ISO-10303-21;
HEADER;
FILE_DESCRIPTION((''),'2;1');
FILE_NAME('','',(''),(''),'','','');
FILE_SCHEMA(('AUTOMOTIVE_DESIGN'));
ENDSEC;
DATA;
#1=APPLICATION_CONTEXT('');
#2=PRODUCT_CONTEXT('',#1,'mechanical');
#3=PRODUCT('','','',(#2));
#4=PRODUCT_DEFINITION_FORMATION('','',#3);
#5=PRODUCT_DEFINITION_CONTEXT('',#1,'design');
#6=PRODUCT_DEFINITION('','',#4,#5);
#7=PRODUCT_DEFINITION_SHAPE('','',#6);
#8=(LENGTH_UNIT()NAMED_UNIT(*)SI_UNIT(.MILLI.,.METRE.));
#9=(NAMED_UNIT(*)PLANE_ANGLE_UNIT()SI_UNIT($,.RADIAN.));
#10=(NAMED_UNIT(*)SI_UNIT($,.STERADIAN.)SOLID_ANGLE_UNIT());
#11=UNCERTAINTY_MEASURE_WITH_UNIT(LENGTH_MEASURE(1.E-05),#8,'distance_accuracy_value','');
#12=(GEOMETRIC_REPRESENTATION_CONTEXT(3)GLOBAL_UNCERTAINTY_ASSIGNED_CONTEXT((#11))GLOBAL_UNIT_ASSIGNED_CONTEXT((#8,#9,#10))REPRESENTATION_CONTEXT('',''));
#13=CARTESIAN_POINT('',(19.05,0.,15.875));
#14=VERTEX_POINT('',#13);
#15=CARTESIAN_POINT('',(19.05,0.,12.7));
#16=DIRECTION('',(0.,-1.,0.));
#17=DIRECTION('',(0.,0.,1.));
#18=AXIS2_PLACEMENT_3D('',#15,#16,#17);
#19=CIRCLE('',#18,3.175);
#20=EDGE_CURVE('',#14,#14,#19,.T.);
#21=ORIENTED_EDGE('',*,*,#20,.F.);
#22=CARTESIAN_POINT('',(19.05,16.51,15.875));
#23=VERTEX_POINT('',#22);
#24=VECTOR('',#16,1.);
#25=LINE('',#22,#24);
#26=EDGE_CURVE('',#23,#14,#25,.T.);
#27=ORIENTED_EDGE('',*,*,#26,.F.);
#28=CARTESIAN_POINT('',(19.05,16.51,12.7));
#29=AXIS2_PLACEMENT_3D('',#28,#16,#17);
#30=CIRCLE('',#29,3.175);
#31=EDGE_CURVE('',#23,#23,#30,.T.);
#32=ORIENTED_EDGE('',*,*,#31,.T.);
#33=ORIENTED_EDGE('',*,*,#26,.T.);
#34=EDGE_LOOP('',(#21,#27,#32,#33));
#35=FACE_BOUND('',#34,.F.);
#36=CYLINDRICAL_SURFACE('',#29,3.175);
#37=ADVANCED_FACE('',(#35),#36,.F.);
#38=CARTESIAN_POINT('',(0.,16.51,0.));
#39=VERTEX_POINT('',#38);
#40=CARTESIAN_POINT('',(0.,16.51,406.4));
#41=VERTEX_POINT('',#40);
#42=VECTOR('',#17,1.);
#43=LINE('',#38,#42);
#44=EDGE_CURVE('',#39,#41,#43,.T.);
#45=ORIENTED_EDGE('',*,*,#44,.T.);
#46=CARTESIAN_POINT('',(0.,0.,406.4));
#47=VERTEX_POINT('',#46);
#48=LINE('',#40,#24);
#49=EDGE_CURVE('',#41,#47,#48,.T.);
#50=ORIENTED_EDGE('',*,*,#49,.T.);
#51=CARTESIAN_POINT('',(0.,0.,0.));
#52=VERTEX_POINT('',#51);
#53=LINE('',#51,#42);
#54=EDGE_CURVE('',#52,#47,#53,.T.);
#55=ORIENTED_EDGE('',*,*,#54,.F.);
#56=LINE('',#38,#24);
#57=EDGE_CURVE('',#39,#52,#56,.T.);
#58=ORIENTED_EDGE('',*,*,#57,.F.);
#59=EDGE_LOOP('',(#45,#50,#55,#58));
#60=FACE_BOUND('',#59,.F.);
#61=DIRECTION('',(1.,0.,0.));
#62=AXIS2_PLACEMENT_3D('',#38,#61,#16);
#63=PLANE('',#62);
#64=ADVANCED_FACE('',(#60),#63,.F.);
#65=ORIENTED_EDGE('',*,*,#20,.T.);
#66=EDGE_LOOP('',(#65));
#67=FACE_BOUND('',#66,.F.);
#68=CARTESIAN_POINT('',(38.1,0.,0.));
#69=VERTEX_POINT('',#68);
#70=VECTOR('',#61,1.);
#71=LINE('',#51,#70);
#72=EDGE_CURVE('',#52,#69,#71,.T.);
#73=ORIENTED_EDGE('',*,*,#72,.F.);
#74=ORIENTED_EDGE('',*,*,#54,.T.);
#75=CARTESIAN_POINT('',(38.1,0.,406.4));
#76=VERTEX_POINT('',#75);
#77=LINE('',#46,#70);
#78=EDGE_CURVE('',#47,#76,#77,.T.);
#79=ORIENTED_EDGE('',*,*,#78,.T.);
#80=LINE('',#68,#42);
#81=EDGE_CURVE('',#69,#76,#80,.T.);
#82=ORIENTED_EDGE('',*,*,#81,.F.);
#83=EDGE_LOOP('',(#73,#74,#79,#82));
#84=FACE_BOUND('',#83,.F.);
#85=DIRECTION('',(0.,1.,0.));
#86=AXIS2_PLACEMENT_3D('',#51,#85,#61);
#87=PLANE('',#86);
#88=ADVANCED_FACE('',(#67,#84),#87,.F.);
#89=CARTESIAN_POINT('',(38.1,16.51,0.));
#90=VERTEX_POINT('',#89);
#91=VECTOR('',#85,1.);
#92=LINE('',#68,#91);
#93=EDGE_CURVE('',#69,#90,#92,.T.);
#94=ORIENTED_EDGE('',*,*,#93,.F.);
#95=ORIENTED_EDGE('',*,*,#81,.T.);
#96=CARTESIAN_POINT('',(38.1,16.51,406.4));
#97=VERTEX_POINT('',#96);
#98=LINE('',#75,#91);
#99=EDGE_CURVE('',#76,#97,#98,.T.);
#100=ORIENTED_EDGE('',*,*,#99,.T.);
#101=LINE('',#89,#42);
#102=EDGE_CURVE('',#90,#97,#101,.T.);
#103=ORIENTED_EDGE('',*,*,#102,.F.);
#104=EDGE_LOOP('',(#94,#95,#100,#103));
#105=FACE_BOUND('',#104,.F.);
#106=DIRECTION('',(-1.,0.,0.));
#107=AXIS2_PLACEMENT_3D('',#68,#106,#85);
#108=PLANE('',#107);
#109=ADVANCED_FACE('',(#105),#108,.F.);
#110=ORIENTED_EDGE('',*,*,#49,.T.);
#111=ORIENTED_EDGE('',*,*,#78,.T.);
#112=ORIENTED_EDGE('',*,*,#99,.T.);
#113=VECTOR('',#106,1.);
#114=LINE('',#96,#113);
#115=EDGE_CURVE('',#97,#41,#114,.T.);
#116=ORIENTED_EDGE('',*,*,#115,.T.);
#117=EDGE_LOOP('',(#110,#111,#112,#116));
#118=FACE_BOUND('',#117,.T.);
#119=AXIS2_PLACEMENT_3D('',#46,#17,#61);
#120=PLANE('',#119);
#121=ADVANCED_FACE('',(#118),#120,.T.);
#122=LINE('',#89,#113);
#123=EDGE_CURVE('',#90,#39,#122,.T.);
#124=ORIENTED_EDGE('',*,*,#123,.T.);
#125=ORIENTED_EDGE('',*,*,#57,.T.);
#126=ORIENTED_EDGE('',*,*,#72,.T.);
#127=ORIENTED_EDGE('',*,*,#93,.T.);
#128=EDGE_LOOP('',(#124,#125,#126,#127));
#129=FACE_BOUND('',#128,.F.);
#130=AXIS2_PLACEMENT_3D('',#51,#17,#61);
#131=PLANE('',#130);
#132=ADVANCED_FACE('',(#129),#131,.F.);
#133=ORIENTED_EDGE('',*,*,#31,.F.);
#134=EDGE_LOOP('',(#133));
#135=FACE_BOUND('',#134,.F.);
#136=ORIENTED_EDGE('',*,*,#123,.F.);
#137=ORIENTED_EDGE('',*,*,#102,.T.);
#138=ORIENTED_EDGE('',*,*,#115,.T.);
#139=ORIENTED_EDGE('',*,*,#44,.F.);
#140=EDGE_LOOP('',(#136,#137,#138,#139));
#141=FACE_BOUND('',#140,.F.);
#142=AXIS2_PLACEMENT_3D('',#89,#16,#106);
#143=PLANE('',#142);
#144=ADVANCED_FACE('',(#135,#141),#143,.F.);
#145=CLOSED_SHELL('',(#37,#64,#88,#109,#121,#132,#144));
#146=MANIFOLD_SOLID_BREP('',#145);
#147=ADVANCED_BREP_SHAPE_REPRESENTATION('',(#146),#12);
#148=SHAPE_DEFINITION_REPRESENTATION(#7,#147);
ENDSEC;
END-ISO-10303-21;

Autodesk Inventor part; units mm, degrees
ref_plane "YZ Plane" through (0, 0, 0) normal (1, 0, 0) x (0, 1, 0)
ref_plane "XZ Plane" through (0, 0, 0) normal (0, 1, 0) x (-1, 0, 0)
ref_plane "XY Plane" through (0, 0, 0) normal (0, 0, 1) x (1, 0, 0)
sketch "Sketch1" plane through (0, 0, 0) normal (0, 0, 1) x (1, 0, 0)
  line L0 (0, 0) -> (38.1, 0)
  line L1 (38.1, 0) -> (38.1, 16.51)
  line L2 (38.1, 16.51) -> (0, 16.51)
  line L3 (0, 16.51) -> (0, 0)
  dimension "d0" = 38.1
  dimension "d1" = 16.51
extrude "Extrusion1" add sketch "Sketch1" along normal blind 406.4
sketch "Sketch3" plane through (0, 16.51, 0) normal (0, 1, 0) x (1, 0, 0)
  circle A0 centre (19.05, -12.7) radius 3.175
  line L0 (38.1, 0) -> (0, 0) projected
  dimension "d11" = 6.35
  dimension "d19" = 12.7
hole "Hole2" at (19.05, 16.51, 12.7) direction (0, -1, 0) diameter 6.35 end through all
properties part number "splashFurring" material "Wood (Cherry)"
